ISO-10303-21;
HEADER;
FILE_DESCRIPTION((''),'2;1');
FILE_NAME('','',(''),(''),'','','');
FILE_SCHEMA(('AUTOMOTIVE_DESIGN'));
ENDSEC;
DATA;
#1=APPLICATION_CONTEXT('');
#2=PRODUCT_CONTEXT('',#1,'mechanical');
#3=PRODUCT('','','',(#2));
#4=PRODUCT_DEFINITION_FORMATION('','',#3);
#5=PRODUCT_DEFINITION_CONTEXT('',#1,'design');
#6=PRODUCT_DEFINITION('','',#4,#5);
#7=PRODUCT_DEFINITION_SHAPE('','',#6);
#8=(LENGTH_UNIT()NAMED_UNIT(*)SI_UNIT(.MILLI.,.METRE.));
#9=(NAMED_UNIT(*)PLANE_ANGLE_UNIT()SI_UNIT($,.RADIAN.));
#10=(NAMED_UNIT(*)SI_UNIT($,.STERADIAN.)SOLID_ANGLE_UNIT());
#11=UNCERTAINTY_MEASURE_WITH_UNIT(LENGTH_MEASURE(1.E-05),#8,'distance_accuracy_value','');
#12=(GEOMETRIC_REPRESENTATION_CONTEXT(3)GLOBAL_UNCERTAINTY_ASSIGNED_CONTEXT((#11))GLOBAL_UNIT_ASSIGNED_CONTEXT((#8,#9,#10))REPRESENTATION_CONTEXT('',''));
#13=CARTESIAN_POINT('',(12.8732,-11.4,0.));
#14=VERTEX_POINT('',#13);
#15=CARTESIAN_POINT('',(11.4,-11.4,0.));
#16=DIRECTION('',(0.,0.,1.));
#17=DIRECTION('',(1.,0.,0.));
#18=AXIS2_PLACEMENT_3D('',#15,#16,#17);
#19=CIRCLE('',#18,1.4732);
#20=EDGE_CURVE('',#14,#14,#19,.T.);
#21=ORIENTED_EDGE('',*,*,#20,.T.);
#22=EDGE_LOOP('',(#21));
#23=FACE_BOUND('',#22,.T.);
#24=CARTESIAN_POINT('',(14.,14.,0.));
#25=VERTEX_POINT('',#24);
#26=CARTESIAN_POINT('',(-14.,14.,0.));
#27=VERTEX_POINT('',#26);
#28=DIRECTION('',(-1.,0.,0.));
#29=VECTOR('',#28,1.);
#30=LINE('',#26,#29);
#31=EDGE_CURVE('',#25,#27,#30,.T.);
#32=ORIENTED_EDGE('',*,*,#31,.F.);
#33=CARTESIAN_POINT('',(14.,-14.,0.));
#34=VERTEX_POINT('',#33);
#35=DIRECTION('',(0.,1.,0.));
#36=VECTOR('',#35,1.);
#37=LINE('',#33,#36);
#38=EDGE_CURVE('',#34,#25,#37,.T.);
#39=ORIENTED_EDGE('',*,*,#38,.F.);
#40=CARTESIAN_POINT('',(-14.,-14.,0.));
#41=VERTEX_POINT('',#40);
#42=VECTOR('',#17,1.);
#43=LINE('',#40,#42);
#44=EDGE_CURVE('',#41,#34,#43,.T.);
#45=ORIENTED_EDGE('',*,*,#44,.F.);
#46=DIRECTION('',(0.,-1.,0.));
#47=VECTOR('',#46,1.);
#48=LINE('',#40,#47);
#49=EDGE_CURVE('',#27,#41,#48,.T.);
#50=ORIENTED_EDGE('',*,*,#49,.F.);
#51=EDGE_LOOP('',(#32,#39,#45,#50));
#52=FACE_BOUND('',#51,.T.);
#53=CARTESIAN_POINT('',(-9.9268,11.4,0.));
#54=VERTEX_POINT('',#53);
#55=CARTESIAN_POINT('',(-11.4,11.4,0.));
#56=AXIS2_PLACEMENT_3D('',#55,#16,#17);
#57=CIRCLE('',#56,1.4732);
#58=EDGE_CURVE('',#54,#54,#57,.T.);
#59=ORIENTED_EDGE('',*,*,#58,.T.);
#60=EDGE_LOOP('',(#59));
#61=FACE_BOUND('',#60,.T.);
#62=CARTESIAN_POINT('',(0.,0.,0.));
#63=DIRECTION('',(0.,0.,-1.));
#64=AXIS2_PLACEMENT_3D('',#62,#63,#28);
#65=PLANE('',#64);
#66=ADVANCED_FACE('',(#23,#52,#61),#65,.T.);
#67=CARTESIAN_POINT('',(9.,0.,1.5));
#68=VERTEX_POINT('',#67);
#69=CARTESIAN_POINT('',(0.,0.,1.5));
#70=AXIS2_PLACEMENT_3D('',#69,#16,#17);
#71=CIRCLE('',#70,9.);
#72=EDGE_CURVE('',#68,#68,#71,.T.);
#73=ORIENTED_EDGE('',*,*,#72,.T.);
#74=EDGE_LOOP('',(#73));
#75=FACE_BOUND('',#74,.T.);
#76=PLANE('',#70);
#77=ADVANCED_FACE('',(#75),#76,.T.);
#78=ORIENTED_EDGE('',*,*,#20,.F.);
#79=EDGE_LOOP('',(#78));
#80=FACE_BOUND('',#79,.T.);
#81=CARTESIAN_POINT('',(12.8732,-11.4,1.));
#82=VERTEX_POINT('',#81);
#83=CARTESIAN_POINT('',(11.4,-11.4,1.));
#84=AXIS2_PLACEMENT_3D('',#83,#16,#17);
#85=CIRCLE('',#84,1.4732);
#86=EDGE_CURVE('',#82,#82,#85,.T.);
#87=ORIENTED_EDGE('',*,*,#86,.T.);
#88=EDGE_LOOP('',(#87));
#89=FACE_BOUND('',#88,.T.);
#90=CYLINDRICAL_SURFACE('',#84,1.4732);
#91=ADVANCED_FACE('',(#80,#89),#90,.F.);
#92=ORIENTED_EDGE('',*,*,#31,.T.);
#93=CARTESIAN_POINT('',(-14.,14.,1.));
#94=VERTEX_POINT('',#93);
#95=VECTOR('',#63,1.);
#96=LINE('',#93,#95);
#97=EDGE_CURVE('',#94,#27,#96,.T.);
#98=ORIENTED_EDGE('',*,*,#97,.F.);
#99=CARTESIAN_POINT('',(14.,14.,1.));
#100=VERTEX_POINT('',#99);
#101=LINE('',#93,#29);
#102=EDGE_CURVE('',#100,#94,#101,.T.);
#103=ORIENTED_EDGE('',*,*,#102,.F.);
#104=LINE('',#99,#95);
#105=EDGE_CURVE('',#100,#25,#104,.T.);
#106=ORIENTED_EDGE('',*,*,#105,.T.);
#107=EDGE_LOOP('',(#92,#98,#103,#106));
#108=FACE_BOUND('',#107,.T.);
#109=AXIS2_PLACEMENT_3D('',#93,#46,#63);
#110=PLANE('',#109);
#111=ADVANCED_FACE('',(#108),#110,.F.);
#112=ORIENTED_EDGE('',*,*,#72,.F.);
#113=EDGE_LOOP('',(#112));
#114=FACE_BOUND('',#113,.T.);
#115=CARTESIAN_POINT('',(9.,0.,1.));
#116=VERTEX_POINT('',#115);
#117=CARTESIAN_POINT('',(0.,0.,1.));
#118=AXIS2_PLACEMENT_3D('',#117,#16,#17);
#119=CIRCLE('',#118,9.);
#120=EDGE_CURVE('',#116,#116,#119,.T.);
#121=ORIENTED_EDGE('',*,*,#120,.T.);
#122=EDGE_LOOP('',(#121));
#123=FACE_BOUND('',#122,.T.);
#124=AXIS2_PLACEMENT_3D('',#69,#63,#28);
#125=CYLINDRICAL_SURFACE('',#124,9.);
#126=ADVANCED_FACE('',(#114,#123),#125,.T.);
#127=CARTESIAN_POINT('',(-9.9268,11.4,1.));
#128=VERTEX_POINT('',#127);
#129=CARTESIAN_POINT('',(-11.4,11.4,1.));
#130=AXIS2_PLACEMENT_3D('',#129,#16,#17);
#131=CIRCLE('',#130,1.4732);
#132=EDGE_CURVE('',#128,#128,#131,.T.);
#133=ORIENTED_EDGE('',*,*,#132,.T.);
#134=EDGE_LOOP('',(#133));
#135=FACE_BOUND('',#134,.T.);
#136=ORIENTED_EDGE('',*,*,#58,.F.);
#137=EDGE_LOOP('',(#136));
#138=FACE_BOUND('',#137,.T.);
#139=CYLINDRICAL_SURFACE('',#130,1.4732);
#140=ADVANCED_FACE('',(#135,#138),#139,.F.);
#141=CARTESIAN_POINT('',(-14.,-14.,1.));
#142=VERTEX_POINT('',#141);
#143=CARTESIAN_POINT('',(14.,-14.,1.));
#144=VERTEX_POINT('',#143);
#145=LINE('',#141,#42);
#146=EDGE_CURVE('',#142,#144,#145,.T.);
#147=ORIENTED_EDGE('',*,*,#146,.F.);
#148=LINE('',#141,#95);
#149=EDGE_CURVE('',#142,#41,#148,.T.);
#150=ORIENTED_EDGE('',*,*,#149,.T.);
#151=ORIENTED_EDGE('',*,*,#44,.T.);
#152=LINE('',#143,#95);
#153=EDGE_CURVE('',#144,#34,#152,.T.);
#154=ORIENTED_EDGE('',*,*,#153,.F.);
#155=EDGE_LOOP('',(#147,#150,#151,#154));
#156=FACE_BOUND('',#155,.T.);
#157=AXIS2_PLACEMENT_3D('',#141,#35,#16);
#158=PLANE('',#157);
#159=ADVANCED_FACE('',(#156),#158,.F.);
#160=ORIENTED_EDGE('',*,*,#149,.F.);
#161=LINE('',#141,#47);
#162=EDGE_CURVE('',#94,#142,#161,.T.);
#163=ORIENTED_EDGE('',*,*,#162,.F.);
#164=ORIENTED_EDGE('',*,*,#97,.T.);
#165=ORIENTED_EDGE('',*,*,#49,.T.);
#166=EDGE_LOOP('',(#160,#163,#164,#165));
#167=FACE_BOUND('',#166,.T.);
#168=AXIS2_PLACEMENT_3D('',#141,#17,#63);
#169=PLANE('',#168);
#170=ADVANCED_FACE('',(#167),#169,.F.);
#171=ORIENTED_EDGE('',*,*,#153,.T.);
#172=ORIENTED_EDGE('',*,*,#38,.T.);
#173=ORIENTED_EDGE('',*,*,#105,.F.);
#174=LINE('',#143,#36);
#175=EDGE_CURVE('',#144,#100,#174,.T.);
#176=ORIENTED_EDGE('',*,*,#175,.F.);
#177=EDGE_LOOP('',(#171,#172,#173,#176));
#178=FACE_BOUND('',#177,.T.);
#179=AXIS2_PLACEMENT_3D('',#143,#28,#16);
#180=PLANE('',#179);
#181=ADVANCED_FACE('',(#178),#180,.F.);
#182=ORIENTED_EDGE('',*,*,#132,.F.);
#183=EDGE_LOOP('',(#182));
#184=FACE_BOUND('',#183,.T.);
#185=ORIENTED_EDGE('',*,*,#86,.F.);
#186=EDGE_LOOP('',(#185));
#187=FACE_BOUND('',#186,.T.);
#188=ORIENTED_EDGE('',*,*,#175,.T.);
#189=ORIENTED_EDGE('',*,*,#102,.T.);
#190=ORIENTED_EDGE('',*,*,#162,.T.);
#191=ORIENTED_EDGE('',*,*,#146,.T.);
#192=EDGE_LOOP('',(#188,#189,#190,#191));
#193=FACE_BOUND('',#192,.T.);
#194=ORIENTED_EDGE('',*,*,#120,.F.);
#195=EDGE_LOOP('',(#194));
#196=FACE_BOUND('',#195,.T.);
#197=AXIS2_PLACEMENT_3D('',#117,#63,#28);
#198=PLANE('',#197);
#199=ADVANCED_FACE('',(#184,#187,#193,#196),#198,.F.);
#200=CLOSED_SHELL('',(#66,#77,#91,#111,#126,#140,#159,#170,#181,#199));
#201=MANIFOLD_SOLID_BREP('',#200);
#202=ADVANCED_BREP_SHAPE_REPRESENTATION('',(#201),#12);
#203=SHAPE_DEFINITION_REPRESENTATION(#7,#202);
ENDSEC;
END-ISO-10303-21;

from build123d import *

# Parameters (mm, degrees)
SKETCH1_W             = 28
SKETCH1_H             = 28
BOSS_EXTRUDE1_DEPTH   = 1
SKETCH2_R             = 9
BOSS_EXTRUDE2_DEPTH   = 0.5
F_4_CLEARANCE_HOLE1_D = 2.9464


with BuildPart() as part:
    # Sketch1 → Boss-Extrude1 (new body)
    with BuildSketch(Plane.XY):
        Rectangle(SKETCH1_W, SKETCH1_H)
    extrude(amount=BOSS_EXTRUDE1_DEPTH)

    # Sketch2 → Boss-Extrude2 (add)
    with BuildSketch(Plane.XY.offset(1)):
        Circle(SKETCH2_R)
    extrude(amount=BOSS_EXTRUDE2_DEPTH)

    # #4 Clearance Hole1 (through all)
    with Locations(Plane.XY.offset(1)):
        with Locations((11.4, -11.4), (-11.4, 11.4)):
            Hole(F_4_CLEARANCE_HOLE1_D / 2)


solid = part.part
